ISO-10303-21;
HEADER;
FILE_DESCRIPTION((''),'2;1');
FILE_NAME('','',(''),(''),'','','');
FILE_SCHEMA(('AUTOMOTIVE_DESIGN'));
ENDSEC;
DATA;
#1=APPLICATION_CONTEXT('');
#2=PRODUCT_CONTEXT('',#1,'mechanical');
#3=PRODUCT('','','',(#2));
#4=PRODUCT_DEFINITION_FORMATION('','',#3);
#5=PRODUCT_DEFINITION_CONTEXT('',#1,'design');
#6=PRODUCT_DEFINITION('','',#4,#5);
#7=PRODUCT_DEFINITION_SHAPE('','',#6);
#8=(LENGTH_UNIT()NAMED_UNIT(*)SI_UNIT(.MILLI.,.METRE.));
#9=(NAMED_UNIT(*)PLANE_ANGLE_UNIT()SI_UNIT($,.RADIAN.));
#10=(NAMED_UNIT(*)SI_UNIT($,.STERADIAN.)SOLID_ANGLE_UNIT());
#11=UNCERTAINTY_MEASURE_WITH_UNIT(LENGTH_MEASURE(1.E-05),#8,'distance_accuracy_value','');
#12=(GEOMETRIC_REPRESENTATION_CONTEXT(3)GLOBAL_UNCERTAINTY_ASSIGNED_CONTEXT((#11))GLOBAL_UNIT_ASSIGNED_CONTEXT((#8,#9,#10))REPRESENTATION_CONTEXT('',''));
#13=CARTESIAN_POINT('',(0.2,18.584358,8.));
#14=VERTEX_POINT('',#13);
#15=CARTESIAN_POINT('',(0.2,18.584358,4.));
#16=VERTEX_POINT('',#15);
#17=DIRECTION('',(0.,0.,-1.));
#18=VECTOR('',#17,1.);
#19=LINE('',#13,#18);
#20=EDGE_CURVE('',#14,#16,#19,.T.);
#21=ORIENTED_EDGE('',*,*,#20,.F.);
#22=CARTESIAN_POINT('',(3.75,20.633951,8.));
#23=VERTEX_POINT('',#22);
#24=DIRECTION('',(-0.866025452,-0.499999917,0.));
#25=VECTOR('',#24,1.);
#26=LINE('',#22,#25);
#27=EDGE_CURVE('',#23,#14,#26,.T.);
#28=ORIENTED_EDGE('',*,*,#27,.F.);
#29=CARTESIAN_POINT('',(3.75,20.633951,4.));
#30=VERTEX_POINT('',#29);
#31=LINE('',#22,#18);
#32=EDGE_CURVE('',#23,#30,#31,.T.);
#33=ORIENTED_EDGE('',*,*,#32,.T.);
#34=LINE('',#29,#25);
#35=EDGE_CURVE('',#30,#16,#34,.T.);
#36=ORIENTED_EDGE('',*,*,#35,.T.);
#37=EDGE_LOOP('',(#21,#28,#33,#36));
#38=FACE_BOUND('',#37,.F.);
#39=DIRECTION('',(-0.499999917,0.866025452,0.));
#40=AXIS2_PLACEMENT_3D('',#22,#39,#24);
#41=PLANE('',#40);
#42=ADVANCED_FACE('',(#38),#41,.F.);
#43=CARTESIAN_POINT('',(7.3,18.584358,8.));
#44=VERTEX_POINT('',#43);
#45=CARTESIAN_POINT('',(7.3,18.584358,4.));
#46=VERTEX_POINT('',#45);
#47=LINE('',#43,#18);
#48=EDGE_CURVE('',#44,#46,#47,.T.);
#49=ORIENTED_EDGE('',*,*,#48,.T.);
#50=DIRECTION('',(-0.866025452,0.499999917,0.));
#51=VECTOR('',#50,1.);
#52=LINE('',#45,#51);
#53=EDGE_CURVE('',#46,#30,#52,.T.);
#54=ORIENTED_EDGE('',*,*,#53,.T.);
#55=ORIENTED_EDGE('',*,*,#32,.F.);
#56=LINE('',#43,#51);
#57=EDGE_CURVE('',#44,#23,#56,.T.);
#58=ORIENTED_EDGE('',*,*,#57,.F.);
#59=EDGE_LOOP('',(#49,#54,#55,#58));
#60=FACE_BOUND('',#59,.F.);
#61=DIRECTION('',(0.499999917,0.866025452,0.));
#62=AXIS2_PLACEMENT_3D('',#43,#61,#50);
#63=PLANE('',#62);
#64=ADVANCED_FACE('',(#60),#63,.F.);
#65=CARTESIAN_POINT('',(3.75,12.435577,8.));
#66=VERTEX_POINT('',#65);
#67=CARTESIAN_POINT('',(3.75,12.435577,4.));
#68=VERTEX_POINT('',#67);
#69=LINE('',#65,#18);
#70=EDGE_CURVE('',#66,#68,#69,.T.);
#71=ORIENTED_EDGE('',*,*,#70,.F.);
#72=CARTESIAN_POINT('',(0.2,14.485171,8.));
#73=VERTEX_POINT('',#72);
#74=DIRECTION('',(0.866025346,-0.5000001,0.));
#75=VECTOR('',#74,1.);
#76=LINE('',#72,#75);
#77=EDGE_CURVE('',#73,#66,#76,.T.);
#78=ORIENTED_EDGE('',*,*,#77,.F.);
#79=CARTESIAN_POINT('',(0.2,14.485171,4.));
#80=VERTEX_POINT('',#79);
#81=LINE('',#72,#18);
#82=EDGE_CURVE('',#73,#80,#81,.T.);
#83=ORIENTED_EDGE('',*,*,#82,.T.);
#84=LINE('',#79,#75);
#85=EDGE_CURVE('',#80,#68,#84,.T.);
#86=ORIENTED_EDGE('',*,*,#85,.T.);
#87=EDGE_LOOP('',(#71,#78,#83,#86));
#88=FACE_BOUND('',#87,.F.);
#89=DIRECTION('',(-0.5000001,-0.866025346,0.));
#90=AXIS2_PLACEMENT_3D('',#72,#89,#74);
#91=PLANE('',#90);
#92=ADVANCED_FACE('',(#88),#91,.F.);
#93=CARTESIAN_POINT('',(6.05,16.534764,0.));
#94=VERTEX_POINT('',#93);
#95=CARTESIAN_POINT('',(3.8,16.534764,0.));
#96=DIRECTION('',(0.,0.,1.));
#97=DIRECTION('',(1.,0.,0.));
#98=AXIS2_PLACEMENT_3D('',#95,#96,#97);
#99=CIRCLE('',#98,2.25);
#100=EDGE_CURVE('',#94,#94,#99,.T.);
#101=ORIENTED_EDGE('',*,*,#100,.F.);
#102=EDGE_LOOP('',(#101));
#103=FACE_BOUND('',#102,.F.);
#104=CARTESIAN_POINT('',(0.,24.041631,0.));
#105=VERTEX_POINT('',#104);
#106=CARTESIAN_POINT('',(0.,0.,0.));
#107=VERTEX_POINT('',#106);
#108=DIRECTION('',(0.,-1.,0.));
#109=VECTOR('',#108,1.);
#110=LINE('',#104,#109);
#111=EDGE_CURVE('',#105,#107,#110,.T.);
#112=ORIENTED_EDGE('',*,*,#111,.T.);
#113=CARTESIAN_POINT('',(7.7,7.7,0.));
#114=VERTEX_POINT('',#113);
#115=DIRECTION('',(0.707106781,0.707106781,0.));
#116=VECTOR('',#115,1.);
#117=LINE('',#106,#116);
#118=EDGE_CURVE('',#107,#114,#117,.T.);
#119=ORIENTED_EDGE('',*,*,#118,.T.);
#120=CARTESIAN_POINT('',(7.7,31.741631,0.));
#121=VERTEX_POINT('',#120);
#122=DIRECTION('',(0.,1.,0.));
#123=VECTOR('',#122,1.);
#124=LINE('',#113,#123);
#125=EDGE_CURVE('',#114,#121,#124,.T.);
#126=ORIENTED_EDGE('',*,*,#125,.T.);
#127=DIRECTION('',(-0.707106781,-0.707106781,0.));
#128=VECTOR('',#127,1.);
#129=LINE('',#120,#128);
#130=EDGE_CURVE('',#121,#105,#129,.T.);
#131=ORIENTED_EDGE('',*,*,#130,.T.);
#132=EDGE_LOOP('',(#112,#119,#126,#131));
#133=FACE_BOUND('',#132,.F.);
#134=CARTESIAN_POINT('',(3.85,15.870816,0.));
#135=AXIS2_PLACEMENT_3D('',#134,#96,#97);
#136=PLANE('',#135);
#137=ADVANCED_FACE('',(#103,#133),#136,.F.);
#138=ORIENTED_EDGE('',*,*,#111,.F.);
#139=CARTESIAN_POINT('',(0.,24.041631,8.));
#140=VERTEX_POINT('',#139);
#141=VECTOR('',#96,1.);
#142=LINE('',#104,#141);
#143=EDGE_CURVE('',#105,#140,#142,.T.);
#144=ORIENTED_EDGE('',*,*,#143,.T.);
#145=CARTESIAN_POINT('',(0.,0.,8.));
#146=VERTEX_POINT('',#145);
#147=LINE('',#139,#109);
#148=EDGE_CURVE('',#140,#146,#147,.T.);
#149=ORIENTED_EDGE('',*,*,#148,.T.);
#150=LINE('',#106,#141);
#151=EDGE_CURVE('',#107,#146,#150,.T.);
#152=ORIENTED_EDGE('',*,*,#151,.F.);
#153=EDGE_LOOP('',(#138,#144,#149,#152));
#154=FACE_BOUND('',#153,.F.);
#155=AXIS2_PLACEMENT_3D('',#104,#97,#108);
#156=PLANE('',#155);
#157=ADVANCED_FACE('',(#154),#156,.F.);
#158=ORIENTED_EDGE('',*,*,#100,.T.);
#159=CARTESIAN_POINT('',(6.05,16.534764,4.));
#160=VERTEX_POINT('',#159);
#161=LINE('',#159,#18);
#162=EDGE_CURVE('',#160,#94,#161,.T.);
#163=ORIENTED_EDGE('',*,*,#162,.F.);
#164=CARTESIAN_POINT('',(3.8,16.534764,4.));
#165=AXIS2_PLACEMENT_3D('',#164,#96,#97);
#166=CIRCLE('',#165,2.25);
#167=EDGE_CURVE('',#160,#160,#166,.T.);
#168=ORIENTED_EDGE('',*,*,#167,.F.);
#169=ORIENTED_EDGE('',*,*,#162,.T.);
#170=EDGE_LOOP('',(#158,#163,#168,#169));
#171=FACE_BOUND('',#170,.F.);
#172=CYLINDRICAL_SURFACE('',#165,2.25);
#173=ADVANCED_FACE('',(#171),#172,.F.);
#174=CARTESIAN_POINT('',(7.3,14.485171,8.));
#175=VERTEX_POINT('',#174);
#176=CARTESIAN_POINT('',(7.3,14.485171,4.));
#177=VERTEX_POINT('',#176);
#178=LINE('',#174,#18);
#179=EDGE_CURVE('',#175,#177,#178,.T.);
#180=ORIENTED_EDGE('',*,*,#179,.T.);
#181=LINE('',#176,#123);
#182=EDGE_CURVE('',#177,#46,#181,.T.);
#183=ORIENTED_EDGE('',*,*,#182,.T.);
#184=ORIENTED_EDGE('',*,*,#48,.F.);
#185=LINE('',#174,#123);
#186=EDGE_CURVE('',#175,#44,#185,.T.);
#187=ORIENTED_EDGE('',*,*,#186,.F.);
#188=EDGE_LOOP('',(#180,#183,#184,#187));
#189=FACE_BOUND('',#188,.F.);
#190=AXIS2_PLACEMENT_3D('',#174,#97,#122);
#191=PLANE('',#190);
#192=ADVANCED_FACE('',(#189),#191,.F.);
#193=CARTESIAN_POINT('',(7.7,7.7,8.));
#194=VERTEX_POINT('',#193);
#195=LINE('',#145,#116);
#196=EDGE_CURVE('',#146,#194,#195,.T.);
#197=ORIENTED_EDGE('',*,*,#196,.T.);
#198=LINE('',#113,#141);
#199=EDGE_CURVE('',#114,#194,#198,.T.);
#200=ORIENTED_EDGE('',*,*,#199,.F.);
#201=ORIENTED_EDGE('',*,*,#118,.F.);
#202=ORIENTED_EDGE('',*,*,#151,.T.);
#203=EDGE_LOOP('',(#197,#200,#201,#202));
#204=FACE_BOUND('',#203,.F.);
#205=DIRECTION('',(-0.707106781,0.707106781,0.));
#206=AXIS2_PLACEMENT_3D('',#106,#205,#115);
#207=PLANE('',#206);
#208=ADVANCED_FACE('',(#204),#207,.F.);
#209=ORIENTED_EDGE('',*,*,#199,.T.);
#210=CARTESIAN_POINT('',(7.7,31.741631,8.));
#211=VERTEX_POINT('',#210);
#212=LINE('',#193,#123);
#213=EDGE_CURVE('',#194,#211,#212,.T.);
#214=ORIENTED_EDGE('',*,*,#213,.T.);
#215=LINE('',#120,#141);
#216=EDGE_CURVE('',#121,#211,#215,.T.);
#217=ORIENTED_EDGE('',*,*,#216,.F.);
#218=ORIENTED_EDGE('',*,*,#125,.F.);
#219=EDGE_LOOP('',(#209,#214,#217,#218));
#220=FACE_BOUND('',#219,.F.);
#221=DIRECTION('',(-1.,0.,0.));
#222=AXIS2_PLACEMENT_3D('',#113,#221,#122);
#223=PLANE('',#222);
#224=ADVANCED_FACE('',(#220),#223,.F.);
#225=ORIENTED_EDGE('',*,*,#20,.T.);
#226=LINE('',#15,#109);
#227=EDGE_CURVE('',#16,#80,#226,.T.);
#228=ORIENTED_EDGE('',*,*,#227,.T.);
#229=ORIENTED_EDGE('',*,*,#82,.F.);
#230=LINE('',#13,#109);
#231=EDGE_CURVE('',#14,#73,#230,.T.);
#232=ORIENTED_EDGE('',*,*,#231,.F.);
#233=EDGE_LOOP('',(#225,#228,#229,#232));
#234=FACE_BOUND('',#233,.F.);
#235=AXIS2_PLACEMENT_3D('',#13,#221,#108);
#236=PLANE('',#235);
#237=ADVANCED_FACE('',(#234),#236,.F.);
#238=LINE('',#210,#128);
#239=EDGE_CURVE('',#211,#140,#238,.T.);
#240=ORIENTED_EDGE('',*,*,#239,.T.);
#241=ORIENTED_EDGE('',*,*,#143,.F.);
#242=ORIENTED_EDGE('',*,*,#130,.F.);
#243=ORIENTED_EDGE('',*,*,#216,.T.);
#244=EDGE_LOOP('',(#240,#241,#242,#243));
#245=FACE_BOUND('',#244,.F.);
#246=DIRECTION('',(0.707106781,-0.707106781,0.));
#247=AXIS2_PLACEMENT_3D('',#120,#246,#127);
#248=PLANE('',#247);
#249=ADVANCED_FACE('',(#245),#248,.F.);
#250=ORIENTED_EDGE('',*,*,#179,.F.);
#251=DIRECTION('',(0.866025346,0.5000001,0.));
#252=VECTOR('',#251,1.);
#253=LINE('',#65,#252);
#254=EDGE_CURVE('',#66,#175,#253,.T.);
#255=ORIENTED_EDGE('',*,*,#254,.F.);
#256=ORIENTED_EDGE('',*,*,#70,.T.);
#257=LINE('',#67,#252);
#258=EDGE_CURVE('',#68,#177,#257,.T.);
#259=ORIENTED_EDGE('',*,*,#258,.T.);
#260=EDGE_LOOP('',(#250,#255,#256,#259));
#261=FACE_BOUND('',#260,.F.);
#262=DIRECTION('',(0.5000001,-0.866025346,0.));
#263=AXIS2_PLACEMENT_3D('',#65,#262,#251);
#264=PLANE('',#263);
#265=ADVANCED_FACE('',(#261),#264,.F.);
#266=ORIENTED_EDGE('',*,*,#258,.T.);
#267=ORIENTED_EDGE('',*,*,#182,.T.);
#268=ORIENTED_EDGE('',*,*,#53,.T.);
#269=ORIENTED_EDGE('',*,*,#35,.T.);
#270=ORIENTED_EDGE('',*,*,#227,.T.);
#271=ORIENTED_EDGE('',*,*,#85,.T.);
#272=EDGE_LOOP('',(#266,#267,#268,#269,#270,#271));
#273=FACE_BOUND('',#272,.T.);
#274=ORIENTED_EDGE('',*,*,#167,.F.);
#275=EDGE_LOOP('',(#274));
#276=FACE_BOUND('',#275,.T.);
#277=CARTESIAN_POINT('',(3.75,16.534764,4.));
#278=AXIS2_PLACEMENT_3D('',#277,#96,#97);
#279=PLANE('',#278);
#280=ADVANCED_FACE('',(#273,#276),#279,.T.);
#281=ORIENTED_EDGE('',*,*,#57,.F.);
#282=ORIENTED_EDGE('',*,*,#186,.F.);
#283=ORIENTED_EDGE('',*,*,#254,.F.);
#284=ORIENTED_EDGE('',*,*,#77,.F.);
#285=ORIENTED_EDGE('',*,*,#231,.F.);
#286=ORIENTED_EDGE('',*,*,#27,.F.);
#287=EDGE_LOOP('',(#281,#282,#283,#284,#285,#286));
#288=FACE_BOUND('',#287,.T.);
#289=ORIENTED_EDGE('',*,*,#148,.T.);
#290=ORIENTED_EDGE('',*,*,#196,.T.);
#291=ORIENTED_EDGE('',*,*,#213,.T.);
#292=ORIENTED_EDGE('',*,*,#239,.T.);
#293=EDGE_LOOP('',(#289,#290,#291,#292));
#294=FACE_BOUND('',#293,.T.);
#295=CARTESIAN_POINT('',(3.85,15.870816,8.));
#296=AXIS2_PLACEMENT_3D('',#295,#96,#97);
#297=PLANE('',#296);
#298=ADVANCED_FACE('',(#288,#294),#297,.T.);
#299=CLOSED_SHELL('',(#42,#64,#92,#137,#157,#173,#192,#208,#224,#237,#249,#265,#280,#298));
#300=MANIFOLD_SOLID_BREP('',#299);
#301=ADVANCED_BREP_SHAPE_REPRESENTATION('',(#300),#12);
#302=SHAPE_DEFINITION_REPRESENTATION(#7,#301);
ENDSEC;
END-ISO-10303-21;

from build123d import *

# Parameters (mm, degrees)
F1_DEPTH = 8
F3_DEPTH = 4
F4_R     = 2.25
F5_DEPTH = 25


with BuildPart() as f1:
    # F0 (on Top) → F1 (new body)
    with BuildSketch(Plane.XY):
        Polygon((0, 24.041631), (0, 0), (7.7, 7.7), (7.7, 31.741631), align=None)
    extrude(amount=F1_DEPTH)

    # F2 (on face) → F3 (cut)
    with BuildSketch(Plane.XY.offset(8)):
        Polygon((3.75, 12.435577), (7.3, 14.485171), (7.3, 18.584358), (3.75, 20.633951), (0.2, 18.584358), (0.2, 14.485171), align=None)
    extrude(amount=-F3_DEPTH, mode=Mode.SUBTRACT)

    # F4 (on face) → F5 (cut)
    with BuildSketch(Plane.XY.offset(4)):
        with Locations((3.8, 16.534764)):
            Circle(F4_R)
    extrude(amount=-F5_DEPTH, mode=Mode.SUBTRACT)


solid = f1.part
